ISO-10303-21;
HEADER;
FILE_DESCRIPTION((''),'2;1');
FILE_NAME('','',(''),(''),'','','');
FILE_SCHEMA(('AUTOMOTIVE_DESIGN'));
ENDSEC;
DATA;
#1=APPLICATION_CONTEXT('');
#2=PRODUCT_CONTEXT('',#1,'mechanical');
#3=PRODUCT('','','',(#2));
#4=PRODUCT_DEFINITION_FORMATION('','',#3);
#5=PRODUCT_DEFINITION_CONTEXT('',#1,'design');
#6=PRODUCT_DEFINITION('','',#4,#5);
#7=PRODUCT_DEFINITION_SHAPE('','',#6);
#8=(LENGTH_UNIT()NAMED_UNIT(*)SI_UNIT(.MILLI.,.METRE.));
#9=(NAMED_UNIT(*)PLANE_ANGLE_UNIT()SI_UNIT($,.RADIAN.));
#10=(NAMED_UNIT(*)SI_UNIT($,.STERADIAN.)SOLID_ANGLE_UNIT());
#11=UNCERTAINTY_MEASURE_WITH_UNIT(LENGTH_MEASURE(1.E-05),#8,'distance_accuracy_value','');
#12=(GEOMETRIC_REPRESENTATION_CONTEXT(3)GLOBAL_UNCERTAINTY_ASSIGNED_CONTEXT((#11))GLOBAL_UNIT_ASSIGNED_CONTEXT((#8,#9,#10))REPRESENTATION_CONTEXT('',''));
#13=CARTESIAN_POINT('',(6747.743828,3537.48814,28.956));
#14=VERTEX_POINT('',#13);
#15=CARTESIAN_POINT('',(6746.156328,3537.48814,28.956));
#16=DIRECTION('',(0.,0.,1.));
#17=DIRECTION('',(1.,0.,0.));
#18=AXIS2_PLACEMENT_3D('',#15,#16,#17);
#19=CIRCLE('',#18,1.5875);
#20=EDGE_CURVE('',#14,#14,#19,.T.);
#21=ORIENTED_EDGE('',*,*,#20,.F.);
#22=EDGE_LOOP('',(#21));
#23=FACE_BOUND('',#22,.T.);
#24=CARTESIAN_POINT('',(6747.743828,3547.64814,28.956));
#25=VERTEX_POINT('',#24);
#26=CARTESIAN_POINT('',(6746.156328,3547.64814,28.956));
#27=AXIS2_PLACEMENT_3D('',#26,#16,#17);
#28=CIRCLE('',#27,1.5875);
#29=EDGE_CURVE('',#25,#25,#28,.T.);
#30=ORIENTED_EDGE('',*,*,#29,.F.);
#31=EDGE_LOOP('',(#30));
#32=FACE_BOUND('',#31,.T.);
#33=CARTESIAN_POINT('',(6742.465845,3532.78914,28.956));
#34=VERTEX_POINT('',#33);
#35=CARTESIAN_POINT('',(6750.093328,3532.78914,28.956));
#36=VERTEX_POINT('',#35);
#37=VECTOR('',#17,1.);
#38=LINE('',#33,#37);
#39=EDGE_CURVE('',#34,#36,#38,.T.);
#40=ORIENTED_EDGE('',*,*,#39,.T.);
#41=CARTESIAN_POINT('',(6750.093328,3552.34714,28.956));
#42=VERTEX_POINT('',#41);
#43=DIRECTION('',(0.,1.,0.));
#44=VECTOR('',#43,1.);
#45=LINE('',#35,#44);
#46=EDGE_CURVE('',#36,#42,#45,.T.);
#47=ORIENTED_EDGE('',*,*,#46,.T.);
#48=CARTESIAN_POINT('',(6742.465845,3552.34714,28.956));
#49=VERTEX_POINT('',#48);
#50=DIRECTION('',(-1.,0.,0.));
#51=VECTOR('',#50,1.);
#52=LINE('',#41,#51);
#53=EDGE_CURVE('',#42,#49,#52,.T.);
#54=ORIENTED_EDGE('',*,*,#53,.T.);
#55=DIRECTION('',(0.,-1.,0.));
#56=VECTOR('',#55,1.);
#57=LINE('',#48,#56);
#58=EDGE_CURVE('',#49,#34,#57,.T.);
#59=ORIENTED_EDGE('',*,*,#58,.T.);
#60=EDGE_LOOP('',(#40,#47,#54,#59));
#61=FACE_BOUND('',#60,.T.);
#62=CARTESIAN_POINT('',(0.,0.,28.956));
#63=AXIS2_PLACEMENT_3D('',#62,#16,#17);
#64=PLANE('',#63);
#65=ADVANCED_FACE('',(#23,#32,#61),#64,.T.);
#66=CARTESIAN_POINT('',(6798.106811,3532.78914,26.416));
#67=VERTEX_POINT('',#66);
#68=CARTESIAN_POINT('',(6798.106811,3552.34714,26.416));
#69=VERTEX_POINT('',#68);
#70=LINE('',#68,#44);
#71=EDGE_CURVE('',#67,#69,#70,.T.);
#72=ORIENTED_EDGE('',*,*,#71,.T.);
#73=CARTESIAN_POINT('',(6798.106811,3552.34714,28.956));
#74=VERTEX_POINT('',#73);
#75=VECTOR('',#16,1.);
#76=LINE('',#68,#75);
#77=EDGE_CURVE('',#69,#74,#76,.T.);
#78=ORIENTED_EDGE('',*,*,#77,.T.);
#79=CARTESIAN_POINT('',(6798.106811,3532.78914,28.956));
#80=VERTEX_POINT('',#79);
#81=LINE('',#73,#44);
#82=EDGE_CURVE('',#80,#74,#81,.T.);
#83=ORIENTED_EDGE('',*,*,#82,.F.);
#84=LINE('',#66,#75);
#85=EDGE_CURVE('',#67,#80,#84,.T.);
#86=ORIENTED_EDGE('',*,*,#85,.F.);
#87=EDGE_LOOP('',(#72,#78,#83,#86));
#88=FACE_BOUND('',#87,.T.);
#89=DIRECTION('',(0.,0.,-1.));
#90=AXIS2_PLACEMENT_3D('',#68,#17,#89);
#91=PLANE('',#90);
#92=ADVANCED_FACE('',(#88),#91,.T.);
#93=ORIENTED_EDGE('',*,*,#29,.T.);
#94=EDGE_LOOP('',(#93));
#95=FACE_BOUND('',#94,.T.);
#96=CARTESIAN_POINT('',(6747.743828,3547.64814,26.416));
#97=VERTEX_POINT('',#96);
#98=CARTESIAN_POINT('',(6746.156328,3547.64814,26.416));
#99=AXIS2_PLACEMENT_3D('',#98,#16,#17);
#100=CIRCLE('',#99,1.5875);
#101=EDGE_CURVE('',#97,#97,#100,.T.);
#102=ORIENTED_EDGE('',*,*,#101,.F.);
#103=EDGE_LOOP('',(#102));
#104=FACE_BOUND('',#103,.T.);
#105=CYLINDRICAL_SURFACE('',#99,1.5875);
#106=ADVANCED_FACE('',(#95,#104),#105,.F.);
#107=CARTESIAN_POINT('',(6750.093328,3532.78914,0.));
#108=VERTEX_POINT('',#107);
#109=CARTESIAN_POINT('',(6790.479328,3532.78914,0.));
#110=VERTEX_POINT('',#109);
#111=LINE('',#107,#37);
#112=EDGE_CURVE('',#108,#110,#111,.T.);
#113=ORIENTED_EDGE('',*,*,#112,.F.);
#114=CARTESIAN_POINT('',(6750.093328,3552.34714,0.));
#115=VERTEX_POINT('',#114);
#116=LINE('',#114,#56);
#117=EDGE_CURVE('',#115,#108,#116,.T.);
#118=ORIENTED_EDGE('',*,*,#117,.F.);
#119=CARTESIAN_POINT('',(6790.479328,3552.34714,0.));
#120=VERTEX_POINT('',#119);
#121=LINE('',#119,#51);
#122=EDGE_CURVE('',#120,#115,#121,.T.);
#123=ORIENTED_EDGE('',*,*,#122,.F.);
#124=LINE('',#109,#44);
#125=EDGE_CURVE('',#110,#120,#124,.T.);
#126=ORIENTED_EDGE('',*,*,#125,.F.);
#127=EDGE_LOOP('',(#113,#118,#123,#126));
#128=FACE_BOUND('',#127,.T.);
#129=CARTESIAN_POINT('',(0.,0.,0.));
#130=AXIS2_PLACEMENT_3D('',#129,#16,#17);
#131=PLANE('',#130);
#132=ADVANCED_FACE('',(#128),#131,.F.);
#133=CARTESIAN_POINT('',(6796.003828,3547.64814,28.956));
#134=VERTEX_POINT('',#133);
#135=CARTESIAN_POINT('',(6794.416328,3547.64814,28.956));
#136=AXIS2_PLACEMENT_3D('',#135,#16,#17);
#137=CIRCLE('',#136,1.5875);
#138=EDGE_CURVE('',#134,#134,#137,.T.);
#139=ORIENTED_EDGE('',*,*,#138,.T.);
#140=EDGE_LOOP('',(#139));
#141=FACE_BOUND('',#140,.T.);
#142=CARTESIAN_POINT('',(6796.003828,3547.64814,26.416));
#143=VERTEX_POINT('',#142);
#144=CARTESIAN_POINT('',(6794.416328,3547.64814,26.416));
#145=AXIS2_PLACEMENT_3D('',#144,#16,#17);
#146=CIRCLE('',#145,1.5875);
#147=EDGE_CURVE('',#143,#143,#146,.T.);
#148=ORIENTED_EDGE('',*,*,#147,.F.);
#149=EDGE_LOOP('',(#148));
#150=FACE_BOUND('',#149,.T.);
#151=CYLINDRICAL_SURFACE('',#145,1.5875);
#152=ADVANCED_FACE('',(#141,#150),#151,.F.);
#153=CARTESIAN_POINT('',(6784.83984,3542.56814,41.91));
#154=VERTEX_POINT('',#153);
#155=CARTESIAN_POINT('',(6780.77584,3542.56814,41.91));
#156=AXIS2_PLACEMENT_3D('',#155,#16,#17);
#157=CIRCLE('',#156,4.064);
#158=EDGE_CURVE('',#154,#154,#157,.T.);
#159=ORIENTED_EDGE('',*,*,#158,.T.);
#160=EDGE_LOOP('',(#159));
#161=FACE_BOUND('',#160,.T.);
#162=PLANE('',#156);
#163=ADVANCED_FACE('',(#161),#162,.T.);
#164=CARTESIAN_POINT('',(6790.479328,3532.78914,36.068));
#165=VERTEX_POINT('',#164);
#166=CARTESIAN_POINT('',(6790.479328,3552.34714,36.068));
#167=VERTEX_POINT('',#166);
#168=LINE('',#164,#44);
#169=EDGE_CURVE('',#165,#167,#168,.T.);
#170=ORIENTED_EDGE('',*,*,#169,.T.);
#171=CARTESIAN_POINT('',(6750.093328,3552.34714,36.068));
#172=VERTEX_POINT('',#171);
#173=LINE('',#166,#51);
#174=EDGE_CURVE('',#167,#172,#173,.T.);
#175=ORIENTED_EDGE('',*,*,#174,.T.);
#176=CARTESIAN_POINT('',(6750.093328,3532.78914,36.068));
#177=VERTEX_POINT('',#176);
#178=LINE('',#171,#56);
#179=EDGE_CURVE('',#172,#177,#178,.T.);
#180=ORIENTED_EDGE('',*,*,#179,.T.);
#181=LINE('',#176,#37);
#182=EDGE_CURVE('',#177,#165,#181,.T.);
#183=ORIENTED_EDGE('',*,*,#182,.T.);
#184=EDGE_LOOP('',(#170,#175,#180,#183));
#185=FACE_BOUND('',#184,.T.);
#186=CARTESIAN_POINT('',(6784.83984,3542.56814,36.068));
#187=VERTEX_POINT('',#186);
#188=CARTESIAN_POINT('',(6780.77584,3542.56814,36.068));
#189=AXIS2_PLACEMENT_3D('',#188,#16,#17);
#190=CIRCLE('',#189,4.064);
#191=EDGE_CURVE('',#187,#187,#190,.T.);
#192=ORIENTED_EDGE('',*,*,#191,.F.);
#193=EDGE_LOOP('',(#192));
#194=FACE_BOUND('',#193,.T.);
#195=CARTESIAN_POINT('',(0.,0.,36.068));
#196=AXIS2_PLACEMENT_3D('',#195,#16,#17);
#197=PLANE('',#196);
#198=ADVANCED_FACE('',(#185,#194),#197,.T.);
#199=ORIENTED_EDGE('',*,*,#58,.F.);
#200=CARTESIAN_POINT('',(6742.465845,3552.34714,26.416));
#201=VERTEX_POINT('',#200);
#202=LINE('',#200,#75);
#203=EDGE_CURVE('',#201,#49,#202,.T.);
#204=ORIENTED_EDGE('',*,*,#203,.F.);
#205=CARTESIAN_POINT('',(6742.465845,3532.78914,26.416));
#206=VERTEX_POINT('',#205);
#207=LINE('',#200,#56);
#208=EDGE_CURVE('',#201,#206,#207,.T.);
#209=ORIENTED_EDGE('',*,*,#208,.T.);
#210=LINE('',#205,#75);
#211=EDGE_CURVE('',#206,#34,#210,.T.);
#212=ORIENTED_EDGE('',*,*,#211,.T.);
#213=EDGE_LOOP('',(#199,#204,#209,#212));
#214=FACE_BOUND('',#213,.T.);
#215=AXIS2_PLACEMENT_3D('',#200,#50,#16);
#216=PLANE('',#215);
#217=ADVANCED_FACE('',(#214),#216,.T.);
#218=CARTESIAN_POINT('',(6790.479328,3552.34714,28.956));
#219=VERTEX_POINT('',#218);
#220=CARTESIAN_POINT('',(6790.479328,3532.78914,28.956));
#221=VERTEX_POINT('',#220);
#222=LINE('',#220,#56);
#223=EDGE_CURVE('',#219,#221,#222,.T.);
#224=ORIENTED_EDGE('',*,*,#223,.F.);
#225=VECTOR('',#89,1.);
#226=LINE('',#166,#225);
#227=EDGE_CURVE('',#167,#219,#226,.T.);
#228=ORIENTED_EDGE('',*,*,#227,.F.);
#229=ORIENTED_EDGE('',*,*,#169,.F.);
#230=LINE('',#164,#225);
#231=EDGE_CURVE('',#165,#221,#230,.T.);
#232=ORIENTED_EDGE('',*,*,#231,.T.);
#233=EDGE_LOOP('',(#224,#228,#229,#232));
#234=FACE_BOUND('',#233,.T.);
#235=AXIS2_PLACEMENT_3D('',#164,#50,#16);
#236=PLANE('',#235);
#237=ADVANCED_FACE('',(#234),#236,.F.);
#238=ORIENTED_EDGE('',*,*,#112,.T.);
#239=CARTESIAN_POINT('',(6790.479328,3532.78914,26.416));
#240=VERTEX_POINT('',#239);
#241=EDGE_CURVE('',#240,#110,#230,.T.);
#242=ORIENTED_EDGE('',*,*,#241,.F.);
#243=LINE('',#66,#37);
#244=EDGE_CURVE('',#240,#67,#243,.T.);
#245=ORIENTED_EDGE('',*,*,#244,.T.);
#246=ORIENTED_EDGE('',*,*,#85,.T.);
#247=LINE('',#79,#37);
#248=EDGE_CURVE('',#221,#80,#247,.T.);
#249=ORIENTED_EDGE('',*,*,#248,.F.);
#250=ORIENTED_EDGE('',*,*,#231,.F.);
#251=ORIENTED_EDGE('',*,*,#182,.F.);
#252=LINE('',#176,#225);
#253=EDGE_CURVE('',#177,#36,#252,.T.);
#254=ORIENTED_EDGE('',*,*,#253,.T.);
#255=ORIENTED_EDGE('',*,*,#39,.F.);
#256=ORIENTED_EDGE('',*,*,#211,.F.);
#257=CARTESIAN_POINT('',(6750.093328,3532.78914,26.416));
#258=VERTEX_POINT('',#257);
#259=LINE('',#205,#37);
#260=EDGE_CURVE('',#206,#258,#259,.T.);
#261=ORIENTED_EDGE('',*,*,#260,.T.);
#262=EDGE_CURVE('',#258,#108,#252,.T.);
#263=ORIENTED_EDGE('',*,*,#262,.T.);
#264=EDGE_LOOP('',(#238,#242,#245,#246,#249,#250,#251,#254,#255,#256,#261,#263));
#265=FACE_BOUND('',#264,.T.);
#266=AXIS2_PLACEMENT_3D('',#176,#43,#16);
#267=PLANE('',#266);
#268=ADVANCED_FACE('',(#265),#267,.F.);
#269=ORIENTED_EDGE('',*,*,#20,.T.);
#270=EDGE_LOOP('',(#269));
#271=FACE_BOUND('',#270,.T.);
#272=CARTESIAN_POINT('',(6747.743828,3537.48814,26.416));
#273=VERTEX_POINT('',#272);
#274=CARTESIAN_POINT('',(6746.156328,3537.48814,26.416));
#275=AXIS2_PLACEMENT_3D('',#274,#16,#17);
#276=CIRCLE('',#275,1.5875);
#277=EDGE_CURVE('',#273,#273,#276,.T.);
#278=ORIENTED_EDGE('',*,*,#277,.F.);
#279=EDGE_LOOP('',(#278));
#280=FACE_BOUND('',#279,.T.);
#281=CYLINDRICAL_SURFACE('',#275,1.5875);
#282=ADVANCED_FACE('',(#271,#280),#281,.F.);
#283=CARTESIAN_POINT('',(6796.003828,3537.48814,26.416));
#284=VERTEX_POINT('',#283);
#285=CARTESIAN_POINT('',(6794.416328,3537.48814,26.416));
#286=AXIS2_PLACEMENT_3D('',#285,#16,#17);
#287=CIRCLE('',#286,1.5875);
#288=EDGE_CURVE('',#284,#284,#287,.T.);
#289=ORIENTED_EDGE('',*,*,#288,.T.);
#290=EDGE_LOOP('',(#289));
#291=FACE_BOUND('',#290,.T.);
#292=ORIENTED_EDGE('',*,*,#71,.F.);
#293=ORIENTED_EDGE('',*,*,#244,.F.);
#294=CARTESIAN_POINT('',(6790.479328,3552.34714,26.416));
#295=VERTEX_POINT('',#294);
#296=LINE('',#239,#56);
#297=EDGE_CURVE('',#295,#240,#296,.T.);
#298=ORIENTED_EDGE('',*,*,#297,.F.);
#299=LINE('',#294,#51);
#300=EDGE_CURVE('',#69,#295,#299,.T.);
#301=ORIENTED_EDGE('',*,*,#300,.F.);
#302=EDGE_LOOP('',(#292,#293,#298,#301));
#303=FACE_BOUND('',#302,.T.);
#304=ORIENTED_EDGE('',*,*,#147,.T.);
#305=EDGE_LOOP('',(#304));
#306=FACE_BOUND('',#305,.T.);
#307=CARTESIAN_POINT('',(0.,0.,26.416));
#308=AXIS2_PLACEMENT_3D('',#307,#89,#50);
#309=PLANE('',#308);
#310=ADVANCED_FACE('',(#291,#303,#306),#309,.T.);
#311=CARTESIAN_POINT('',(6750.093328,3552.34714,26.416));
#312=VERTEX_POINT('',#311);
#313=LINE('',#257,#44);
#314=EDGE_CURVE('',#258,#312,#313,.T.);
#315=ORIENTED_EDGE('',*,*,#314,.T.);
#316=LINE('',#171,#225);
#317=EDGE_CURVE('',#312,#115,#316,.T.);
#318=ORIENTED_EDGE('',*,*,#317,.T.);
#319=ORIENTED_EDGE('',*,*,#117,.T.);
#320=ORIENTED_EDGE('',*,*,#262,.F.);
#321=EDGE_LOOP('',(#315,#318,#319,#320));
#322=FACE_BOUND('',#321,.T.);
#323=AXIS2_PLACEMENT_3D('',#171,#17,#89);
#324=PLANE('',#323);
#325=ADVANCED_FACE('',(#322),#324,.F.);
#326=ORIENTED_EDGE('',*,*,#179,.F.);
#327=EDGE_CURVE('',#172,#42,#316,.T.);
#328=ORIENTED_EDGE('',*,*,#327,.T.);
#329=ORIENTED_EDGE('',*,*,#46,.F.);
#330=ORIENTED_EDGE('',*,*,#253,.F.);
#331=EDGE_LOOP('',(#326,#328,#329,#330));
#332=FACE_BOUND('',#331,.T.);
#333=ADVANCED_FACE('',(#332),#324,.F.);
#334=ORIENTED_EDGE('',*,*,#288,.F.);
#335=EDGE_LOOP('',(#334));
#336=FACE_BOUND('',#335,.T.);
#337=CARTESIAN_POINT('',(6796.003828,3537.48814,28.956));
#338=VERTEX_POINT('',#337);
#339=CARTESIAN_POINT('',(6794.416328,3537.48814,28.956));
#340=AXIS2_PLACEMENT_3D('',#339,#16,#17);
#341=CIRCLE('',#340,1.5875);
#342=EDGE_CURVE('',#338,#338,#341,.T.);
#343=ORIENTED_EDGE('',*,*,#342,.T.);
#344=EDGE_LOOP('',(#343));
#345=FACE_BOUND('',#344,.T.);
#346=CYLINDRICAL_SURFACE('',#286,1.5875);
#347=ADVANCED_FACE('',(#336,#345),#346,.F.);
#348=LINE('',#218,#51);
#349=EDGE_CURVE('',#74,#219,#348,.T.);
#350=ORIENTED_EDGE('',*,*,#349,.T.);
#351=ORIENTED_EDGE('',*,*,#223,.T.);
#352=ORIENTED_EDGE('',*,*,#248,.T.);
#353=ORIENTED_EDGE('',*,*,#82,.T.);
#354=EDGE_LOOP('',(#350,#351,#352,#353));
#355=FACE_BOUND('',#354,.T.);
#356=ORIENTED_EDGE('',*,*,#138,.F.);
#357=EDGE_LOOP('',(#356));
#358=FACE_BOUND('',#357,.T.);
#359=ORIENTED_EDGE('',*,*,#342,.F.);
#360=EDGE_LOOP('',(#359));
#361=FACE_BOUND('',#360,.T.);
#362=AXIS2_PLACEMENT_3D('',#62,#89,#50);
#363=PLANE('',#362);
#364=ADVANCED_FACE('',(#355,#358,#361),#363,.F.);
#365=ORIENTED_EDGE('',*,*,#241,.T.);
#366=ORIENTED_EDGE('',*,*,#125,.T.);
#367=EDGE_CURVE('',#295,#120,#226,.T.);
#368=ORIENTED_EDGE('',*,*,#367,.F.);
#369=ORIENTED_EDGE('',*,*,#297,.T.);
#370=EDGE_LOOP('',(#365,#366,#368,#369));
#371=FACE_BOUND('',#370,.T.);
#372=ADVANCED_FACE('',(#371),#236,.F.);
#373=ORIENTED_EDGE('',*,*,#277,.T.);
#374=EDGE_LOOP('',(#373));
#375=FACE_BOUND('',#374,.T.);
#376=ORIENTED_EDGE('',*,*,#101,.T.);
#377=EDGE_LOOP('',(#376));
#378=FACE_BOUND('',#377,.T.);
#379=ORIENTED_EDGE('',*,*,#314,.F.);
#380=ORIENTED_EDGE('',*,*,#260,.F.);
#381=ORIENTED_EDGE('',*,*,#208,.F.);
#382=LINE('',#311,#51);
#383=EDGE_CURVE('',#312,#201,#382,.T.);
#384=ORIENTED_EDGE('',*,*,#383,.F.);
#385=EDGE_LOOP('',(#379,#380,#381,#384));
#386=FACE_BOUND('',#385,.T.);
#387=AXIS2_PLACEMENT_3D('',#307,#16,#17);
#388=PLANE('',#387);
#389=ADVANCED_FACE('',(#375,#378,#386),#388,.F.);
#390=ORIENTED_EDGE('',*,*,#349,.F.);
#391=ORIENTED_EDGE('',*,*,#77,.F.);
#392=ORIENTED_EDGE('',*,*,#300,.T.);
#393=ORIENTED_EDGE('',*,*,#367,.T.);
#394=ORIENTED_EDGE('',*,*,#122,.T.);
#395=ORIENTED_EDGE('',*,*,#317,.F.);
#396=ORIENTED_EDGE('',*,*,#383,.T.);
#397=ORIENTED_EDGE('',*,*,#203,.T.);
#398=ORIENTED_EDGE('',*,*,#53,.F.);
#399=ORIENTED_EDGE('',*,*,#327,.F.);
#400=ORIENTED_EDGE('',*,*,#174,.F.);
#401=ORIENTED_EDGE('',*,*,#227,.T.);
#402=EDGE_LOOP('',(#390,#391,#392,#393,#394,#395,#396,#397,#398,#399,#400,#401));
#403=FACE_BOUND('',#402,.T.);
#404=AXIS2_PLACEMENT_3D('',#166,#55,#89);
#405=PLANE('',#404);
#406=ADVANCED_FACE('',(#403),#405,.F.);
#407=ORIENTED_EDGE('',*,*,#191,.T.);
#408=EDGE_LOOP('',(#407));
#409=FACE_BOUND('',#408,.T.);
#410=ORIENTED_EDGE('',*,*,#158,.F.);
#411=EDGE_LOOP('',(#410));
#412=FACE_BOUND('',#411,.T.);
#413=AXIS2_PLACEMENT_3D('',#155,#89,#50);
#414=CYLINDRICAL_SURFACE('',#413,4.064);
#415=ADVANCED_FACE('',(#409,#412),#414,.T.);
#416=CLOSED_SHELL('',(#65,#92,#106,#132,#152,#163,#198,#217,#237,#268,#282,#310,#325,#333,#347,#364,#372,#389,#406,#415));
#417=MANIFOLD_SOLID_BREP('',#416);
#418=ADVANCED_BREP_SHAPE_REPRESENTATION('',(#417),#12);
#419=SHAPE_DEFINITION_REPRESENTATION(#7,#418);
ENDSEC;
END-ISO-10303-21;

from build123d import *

# Parameters (mm, degrees)
SKETCH1_W           = 40.386
SKETCH1_H           = 19.558
BOSS_EXTRUDE1_DEPTH = 36.068
SKETCH2_W           = 7.627483077
SKETCH2_H           = 19.558
SKETCH2_R           = 1.5875
SKETCH2_W_2         = 7.627483076
BOSS_EXTRUDE2_DEPTH = 2.54
SKETCH3_R           = 4.064
BOSS_EXTRUDE3_DEPTH = 5.842


with BuildPart() as part:
    # Sketch1 → Boss-Extrude1 (new body)
    with BuildSketch(Plane.XY):
        with Locations((6770.286327778, 3542.568139787)):
            Rectangle(SKETCH1_W, SKETCH1_H)
    extrude(amount=BOSS_EXTRUDE1_DEPTH)

    # Sketch2 → Boss-Extrude2 (add)
    # profile 1 of 2: a face of its own
    with BuildSketch(Plane.XY.offset(28.956)):
        with Locations((6794.293069316, 3542.568139787)):
            Rectangle(SKETCH2_W, SKETCH2_H)
        with Locations((6794.416327778, 3537.488139787)):
            Circle(SKETCH2_R, mode=Mode.SUBTRACT)
        with Locations((6794.416327778, 3547.648139787)):
            Circle(SKETCH2_R, mode=Mode.SUBTRACT)
    # profile 2 of 2: a face of its own
    with BuildSketch(Plane.XY.offset(28.956)):
        with Locations((6746.27958624, 3542.568139787)):
            Rectangle(SKETCH2_W_2, SKETCH2_H)
        with Locations((6746.156327778, 3547.648139787)):
            Circle(SKETCH2_R, mode=Mode.SUBTRACT)
        with Locations((6746.156327778, 3537.488139787)):
            Circle(SKETCH2_R, mode=Mode.SUBTRACT)
    extrude(amount=-BOSS_EXTRUDE2_DEPTH)

    # Sketch3 → Boss-Extrude3 (add)
    with BuildSketch(Plane.XY.offset(36.068)):
        with Locations((6780.775840345, 3542.568139787)):
            Circle(SKETCH3_R)
    extrude(amount=BOSS_EXTRUDE3_DEPTH)


solid = part.part
